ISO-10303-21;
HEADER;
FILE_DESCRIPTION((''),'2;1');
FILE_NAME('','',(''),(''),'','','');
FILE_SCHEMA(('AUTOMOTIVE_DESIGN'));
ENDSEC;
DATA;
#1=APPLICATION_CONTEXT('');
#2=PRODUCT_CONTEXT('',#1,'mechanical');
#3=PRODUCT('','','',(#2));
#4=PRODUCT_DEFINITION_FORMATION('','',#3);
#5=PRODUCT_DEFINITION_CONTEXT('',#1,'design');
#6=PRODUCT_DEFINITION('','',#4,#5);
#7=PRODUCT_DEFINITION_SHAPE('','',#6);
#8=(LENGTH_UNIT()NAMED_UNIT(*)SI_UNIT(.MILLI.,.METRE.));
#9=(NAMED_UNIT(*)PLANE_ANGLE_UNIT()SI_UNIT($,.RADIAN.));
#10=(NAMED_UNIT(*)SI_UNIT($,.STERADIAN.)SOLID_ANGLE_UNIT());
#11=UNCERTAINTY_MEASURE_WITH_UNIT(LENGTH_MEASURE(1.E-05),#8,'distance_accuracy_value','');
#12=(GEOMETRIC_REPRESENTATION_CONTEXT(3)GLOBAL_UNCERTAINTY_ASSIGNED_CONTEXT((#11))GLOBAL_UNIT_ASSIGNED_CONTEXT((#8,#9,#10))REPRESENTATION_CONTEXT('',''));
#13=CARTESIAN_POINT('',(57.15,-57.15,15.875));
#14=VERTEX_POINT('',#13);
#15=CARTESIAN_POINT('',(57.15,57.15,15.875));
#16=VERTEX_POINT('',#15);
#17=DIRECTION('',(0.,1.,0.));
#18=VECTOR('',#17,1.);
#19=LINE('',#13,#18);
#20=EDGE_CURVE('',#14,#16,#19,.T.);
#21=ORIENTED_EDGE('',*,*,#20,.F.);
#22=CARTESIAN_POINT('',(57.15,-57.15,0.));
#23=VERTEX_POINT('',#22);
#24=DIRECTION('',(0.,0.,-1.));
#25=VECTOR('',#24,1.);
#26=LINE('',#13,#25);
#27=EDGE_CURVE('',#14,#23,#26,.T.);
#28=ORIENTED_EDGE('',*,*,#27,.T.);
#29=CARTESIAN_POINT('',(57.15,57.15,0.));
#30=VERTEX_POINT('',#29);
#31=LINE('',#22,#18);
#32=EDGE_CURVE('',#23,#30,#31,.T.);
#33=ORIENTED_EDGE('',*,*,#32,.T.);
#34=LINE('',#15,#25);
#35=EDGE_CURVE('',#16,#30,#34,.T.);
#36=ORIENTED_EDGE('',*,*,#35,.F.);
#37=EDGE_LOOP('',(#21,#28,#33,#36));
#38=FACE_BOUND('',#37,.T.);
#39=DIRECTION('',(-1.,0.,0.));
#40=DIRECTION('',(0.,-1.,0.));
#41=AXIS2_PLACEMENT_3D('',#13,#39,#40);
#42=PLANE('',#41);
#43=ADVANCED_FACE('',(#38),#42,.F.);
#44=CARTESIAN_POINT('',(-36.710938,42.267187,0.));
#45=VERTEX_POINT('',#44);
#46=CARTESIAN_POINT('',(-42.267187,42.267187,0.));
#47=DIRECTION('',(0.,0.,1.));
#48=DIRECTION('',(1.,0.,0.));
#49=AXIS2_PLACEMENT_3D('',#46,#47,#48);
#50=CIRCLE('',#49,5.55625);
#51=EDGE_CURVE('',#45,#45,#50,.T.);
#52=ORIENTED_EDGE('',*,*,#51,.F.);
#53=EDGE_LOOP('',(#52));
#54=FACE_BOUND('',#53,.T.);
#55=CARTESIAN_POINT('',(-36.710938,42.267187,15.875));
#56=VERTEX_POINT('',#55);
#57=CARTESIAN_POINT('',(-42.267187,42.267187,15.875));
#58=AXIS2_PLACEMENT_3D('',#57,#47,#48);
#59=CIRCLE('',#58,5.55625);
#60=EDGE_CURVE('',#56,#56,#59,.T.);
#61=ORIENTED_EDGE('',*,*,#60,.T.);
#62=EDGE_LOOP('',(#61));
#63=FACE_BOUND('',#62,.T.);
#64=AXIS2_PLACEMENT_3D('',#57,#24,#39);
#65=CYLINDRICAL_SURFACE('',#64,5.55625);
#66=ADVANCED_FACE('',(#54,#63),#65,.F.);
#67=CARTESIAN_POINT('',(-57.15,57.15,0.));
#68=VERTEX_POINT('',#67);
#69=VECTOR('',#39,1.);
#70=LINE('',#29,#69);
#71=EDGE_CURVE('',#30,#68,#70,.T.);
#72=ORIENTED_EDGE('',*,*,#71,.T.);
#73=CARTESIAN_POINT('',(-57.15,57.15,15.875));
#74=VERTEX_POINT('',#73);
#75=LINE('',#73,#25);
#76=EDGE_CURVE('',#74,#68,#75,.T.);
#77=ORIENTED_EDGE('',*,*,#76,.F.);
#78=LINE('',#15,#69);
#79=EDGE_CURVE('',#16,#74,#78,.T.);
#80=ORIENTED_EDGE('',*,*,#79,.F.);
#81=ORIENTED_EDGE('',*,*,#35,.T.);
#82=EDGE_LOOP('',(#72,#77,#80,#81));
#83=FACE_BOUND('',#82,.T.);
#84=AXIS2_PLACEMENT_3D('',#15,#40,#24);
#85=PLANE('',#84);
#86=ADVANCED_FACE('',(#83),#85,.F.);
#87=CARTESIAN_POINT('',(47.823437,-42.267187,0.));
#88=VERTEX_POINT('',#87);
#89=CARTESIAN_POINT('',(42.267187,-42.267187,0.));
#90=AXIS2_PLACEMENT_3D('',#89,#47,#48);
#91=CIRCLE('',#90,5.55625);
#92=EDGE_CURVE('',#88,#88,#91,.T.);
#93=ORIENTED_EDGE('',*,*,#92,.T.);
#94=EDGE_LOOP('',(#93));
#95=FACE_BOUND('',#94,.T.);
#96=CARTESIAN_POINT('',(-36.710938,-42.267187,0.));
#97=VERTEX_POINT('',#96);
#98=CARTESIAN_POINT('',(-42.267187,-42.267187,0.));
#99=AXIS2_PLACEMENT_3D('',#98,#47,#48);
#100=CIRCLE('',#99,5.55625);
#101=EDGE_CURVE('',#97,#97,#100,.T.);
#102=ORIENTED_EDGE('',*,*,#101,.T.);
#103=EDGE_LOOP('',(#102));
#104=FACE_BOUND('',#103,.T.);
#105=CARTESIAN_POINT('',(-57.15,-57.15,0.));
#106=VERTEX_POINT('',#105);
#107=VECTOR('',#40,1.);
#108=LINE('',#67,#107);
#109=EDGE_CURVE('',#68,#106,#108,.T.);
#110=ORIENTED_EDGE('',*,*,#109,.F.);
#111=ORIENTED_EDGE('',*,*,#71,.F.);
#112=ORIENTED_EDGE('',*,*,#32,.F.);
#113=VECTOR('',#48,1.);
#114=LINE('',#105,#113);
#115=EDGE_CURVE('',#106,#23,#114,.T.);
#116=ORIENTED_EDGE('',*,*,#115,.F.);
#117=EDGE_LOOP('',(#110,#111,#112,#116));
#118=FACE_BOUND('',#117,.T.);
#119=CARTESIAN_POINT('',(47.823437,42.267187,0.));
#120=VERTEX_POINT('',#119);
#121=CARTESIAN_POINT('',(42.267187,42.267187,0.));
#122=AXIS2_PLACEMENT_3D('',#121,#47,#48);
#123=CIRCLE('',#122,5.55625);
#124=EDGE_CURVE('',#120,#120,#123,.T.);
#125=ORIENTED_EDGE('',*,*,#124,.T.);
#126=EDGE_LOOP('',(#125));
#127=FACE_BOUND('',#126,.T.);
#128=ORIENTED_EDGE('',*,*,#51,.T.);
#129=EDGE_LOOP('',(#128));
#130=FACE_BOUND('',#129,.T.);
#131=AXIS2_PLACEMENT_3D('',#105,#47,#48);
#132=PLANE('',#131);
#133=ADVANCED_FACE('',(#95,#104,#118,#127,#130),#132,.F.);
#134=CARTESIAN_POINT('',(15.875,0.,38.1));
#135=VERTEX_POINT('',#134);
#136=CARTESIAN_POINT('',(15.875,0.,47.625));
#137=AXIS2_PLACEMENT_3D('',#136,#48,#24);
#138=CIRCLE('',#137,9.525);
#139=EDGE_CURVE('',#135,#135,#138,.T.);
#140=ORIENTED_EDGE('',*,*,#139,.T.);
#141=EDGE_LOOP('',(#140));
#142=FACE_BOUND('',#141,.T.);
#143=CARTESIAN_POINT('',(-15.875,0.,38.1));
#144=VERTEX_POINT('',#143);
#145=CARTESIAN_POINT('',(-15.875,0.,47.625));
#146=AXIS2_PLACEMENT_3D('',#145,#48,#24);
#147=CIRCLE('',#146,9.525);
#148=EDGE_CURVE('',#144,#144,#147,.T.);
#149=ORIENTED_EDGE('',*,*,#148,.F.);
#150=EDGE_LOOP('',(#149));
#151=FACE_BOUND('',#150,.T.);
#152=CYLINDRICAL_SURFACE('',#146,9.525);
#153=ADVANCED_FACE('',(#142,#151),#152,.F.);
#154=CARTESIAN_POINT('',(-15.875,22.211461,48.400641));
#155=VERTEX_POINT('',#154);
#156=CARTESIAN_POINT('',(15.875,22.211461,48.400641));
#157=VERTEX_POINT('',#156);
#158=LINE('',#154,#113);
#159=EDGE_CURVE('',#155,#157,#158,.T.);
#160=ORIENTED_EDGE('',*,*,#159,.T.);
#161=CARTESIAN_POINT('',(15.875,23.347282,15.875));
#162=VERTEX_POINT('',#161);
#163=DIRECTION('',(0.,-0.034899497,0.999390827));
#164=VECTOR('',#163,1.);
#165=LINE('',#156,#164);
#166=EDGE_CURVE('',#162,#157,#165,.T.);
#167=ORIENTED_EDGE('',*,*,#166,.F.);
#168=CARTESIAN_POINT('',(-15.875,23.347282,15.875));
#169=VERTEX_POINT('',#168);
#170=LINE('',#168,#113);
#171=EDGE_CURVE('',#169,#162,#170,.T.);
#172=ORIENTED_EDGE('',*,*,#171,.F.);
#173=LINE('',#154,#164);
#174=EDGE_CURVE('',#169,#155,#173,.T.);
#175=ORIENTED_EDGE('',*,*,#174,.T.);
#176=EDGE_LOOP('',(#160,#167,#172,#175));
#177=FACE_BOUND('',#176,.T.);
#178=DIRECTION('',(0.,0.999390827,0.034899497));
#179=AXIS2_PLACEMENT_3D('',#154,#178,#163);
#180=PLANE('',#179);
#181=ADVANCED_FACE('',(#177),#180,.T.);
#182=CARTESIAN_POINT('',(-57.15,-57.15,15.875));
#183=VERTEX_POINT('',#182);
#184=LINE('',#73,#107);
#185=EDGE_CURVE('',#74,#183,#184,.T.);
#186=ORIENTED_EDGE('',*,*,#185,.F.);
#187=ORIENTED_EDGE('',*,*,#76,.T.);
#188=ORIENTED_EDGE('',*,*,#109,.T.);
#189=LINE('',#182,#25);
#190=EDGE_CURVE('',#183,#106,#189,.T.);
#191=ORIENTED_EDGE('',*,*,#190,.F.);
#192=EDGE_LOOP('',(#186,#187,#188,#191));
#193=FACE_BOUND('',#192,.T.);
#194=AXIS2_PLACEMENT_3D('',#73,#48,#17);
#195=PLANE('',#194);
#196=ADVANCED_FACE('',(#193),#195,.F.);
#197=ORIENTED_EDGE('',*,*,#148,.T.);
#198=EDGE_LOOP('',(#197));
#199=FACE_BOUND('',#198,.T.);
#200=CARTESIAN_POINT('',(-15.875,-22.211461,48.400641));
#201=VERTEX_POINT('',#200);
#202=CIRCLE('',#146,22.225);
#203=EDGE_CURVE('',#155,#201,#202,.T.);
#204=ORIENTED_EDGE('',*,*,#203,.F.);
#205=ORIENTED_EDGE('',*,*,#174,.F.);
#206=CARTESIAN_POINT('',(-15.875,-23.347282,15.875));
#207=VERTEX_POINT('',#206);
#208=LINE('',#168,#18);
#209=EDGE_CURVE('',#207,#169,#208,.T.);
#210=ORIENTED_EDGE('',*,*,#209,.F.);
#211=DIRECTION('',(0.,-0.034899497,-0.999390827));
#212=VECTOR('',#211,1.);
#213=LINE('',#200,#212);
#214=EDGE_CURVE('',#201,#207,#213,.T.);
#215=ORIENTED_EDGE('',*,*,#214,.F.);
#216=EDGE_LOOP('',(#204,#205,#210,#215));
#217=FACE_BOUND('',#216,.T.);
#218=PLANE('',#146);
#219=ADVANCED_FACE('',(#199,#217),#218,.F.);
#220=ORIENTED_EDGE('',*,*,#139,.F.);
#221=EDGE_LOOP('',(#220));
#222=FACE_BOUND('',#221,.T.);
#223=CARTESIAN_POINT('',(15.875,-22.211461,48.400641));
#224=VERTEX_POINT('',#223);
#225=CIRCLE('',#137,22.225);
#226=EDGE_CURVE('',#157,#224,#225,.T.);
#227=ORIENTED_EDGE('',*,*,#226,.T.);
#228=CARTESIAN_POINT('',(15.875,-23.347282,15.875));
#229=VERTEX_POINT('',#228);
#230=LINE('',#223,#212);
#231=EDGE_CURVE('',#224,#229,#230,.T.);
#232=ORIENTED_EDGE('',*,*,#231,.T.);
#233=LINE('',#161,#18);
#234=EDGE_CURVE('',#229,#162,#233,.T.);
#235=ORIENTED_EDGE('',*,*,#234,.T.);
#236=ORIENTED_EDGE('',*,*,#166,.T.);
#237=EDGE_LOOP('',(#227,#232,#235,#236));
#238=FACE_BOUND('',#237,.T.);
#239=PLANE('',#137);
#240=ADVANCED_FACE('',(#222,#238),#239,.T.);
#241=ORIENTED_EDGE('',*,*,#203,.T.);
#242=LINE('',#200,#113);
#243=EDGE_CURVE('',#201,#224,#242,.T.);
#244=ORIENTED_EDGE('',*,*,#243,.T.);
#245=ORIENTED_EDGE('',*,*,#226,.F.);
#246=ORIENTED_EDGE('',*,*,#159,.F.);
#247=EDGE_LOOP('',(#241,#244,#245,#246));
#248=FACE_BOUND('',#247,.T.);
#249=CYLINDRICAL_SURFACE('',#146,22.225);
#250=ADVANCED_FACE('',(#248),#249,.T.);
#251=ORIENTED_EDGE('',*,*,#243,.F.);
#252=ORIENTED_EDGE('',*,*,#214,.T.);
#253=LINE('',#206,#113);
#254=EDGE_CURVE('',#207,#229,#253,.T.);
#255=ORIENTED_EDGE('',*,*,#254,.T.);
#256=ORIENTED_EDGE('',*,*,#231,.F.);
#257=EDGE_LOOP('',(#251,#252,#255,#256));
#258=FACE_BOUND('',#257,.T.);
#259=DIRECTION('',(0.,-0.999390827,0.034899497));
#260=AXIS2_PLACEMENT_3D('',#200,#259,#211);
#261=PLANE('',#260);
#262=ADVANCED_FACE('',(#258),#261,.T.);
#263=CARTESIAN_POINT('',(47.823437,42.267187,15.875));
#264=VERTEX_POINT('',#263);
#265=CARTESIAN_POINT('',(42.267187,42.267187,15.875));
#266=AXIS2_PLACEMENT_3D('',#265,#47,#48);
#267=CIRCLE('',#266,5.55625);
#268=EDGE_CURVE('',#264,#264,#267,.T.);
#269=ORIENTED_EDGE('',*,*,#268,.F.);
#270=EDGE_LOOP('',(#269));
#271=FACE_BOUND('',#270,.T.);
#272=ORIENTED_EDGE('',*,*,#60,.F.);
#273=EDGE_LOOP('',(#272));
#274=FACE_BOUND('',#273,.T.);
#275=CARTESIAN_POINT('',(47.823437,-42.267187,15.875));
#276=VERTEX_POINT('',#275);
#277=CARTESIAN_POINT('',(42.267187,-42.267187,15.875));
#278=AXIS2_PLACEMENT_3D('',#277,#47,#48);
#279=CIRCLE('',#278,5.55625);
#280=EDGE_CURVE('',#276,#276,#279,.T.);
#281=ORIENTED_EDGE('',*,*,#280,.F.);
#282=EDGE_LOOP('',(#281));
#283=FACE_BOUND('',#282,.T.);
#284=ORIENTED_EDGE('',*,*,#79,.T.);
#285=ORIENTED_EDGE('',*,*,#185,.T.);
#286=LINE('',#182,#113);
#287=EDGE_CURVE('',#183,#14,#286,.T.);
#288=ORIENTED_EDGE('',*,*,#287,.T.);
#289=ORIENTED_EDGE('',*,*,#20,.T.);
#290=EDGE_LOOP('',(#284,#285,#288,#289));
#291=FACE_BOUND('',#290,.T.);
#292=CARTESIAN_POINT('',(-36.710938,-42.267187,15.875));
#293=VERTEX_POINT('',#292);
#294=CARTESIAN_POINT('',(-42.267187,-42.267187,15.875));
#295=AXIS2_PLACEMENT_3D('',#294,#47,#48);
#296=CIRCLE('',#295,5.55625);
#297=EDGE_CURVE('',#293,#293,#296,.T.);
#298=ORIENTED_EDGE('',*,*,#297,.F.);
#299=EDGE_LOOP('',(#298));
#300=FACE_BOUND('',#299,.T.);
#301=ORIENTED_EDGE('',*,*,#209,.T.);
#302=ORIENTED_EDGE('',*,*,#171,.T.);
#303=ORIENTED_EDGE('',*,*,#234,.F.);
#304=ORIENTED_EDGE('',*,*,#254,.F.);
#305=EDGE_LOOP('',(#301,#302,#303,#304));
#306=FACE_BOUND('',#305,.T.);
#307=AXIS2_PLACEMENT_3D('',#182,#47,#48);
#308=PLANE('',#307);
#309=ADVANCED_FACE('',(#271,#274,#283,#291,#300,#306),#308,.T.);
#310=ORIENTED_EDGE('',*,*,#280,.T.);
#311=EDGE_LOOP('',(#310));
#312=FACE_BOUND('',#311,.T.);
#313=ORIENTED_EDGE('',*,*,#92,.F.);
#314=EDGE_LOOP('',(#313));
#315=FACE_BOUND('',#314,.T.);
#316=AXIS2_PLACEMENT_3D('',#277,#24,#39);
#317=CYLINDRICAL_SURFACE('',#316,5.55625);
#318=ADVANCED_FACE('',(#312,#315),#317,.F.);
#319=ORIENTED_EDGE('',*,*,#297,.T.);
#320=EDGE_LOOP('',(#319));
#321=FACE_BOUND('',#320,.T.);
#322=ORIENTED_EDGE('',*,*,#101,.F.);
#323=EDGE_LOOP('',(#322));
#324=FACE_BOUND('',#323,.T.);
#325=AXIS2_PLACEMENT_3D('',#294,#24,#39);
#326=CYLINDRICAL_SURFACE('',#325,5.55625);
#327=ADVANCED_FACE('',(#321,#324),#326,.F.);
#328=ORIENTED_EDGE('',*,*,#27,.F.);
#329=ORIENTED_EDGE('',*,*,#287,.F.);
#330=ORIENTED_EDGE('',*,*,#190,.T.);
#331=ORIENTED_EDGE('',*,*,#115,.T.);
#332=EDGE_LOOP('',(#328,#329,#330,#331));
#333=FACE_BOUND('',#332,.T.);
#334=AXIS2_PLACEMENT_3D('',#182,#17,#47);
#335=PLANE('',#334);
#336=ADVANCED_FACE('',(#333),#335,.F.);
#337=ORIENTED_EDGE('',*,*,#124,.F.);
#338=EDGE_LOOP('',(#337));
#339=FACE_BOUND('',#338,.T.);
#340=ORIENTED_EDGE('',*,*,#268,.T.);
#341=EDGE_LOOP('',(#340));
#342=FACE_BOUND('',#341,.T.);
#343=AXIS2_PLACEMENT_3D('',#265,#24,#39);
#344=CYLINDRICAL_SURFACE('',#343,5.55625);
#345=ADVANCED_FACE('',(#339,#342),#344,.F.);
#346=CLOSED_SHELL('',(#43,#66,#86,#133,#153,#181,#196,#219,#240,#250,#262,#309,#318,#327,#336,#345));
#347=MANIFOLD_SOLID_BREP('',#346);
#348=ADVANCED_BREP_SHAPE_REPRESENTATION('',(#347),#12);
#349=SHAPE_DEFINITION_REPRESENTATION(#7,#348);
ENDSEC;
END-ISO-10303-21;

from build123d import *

# Parameters (mm, degrees)
SKETCH3_W                = 114.3
SKETCH3_H                = 114.3
SKETCH3_R                = 5.55625
BOSS_EXTRUDE1_DEPTH      = 15.875
BOSS_EXTRUDE2_DEPTH      = 15.875
BOSS_EXTRUDE2_DEPTH_BACK = 15.875
SKETCH4_R                = 9.525


with BuildPart() as part:
    # Sketch3 → Boss-Extrude1 (new body)
    with BuildSketch(Plane.XY):
        Rectangle(SKETCH3_W, SKETCH3_H)
        with Locations((-42.2671875, -42.2671875)):
            Circle(SKETCH3_R, mode=Mode.SUBTRACT)
        with Locations((42.2671875, -42.2671875)):
            Circle(SKETCH3_R, mode=Mode.SUBTRACT)
        with Locations((42.2671875, 42.2671875)):
            Circle(SKETCH3_R, mode=Mode.SUBTRACT)
        with Locations((-42.2671875, 42.2671875)):
            Circle(SKETCH3_R, mode=Mode.SUBTRACT)
    extrude(amount=BOSS_EXTRUDE1_DEPTH)

    # Sketch4 → Boss-Extrude2 (add, two sides: drawn at the far end of the back side and taken through both)
    with BuildSketch(Plane(origin=(0, 0, 0), x_dir=(0, 0, -1), z_dir=(1, 0, 0)).offset(-BOSS_EXTRUDE2_DEPTH_BACK)):
        with BuildLine():
            Line((-48.400641314, 22.21146113), (-15.875, 23.347281553))
            Line((-15.875, 23.347281553), (-15.875, -23.347281553))
            Line((-15.875, -23.347281553), (-48.400641314, -22.21146113))
            ThreePointArc((-48.400641314, -22.21146113), (-69.85, 0), (-48.400641314, 22.21146113))
        make_face()
        with Locations((-47.625, 0)):
            Circle(SKETCH4_R, mode=Mode.SUBTRACT)
    extrude(amount=BOSS_EXTRUDE2_DEPTH + BOSS_EXTRUDE2_DEPTH_BACK)


solid = part.part
